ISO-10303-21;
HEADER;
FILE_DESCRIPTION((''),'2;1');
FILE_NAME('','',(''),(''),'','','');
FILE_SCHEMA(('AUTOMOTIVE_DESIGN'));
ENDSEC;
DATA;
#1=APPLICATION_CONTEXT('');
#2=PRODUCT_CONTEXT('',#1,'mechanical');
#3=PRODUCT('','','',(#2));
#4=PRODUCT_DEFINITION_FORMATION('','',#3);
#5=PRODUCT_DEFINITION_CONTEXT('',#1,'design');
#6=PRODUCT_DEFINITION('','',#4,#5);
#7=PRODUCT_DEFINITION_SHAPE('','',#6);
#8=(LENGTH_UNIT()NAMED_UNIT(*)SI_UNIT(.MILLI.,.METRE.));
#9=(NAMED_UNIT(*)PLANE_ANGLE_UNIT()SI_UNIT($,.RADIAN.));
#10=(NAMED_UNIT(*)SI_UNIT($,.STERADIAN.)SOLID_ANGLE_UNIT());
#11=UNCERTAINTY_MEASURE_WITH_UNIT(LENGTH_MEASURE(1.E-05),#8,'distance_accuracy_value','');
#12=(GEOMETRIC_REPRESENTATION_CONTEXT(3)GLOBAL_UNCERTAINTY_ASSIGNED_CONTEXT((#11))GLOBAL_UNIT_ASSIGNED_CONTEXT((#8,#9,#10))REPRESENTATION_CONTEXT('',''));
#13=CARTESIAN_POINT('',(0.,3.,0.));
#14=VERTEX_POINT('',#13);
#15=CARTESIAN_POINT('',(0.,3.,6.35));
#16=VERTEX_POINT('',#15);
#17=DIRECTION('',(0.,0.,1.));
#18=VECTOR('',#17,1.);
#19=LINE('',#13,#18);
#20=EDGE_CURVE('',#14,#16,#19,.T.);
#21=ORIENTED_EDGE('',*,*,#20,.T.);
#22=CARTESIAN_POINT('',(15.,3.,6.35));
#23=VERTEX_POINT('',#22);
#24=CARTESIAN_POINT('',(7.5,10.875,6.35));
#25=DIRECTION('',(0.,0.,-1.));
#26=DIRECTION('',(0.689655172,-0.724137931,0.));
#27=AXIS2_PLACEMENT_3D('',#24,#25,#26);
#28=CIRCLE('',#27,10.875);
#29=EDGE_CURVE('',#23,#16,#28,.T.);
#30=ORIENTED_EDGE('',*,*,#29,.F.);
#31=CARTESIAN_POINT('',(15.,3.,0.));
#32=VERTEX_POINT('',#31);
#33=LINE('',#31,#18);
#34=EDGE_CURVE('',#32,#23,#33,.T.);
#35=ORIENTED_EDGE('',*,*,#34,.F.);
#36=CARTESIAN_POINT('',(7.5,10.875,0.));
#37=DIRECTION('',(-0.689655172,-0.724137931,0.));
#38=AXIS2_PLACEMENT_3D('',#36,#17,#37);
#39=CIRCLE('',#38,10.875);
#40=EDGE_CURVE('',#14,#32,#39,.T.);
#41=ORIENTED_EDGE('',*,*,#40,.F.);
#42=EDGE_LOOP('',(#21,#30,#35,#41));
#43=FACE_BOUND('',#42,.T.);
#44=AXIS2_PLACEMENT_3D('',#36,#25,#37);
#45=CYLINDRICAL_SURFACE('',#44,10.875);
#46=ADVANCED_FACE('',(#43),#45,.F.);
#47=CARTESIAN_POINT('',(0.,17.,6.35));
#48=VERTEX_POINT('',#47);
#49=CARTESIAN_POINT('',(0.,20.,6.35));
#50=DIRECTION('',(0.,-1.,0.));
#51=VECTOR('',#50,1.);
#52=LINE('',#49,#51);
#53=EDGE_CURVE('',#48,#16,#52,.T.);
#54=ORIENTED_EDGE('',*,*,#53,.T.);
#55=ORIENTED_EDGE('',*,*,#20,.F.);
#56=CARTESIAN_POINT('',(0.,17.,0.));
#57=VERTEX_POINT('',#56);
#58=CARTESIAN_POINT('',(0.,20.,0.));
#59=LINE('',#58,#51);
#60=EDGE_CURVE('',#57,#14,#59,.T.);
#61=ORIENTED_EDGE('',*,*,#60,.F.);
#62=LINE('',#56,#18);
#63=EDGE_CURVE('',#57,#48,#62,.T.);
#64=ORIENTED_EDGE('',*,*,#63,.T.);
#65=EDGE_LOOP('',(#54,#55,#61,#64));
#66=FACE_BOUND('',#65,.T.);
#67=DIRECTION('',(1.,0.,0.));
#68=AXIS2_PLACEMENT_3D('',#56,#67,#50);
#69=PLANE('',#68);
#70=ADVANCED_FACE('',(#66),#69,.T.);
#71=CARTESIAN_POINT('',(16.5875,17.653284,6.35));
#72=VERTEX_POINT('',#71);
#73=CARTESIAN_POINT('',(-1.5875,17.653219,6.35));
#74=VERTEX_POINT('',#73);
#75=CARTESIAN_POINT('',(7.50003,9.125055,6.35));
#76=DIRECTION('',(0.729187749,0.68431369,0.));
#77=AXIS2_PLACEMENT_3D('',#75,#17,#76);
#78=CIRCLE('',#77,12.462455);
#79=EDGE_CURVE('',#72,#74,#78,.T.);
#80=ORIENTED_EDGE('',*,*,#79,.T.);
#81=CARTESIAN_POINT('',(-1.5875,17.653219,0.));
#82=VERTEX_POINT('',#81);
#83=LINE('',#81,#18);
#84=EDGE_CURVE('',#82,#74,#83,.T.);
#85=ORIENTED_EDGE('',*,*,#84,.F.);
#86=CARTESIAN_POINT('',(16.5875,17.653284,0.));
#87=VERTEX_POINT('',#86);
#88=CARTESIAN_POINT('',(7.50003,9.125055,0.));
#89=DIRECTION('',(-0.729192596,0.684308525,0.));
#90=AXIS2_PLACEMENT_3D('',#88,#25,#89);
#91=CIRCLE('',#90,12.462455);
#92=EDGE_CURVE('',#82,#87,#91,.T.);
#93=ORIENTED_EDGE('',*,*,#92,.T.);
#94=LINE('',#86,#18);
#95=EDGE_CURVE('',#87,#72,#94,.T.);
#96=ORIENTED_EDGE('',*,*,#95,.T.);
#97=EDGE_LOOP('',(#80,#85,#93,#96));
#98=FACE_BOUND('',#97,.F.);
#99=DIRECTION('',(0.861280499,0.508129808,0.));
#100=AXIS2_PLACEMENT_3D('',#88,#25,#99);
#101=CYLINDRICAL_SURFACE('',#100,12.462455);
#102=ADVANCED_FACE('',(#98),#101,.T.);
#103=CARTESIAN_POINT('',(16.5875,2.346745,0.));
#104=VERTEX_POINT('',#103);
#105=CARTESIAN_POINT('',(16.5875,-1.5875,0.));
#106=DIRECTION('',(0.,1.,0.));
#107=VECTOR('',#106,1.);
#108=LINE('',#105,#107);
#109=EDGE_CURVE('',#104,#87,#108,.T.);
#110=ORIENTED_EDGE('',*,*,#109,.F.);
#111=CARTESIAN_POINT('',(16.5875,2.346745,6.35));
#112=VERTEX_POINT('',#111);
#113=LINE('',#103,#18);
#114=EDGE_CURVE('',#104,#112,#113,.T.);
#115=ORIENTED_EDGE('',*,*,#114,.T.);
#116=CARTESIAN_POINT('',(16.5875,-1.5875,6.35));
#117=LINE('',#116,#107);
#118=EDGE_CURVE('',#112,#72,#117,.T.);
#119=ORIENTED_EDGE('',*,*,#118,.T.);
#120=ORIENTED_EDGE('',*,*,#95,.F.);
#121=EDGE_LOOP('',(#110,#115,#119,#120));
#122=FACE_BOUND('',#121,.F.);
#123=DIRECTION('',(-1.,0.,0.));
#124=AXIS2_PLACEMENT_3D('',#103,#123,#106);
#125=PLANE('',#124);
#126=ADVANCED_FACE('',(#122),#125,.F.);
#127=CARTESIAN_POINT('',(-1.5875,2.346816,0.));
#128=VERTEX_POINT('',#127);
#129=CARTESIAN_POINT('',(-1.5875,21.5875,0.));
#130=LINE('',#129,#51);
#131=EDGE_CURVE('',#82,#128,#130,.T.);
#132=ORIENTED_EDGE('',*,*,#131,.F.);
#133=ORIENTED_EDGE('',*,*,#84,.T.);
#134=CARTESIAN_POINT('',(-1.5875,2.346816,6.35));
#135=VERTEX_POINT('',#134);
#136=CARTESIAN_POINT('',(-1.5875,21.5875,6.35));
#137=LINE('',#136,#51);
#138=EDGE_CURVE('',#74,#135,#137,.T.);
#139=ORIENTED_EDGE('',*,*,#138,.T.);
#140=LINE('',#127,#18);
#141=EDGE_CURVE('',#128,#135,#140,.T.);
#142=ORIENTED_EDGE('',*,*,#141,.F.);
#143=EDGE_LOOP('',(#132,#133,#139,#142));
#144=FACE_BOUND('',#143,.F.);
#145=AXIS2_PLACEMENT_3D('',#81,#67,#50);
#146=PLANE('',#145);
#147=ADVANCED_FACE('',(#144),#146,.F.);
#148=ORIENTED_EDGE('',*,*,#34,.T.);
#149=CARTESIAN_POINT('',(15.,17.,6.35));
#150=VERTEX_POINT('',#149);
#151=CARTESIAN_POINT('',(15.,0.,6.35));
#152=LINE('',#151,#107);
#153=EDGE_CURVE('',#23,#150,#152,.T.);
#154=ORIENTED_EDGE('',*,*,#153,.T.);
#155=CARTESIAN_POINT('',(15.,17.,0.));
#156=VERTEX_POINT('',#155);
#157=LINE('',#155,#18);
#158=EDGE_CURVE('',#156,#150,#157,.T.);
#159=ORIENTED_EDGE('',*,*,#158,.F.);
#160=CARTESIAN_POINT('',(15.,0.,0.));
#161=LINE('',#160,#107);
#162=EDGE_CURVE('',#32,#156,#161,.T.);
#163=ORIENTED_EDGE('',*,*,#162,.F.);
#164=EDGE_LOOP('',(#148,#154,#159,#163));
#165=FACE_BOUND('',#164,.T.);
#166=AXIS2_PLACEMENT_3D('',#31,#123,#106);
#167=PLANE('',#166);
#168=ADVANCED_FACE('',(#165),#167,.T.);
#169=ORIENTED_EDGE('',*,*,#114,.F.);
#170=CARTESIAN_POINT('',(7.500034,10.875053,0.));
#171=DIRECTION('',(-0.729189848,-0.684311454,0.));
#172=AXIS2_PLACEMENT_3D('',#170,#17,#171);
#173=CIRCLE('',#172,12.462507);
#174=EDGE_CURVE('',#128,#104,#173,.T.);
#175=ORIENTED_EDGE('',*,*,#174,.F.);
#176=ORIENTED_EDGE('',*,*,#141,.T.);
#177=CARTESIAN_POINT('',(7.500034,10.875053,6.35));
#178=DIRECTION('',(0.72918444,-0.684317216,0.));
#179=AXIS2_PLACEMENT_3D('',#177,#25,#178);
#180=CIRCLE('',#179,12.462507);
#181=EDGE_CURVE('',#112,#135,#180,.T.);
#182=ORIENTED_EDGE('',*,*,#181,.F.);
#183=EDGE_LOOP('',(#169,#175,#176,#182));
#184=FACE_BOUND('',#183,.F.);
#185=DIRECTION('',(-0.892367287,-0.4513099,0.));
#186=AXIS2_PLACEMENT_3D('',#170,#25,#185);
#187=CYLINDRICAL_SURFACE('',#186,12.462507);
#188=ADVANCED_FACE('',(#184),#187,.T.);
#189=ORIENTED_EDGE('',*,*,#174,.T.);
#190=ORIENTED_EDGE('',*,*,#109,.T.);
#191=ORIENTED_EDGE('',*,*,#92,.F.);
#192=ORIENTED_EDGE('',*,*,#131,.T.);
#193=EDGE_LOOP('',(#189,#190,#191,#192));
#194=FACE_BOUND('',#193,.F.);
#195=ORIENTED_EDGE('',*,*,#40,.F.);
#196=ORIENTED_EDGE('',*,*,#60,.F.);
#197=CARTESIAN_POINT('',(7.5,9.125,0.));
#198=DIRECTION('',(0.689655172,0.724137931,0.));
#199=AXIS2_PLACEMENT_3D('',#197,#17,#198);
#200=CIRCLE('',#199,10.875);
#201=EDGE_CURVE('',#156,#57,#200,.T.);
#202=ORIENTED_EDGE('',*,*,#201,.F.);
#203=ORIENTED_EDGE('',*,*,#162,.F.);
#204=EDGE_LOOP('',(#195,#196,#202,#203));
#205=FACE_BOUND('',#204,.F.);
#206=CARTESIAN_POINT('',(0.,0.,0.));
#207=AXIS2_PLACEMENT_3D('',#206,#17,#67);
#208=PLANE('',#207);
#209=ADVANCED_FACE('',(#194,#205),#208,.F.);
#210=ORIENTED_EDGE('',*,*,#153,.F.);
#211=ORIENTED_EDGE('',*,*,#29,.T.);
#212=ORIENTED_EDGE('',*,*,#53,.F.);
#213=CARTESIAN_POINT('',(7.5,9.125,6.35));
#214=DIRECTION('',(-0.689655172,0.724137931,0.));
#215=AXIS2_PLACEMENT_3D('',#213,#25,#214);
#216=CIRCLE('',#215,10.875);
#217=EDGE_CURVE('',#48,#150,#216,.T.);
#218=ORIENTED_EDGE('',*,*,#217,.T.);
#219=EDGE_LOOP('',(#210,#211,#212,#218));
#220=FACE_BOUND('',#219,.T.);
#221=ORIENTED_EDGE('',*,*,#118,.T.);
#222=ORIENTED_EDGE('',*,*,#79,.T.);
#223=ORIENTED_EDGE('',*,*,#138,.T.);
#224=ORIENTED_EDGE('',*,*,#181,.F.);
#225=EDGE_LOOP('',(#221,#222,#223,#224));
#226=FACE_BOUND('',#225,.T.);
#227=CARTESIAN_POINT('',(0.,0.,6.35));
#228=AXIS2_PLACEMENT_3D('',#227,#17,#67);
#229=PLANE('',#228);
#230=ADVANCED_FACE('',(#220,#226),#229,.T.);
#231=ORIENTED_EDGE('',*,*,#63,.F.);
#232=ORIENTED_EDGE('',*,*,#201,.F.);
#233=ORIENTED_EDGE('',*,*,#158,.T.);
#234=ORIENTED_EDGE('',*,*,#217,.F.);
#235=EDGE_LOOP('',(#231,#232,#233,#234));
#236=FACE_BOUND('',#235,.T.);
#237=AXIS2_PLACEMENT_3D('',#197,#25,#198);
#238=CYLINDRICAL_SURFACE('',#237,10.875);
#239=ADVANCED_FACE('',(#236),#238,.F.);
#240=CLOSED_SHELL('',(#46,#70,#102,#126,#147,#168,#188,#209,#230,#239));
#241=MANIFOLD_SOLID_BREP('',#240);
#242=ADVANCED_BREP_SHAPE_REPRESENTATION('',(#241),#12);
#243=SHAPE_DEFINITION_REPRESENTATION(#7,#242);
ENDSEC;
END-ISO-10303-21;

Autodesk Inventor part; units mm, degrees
ref_plane "YZ Plane" through (0, 0, 0) normal (1, 0, 0) x (0, 1, 0)
ref_plane "XZ Plane" through (0, 0, 0) normal (0, 1, 0) x (-1, 0, 0)
ref_plane "XY Plane" through (0, 0, 0) normal (0, 0, 1) x (1, 0, 0)
sketch "Sketch1" plane through (0, 0, 0) normal (0, 0, 1) x (1, 0, 0)
  line L0 (0, 0) -> (15, 0)
  line L1 (15, 0) -> (15, 20)
  line L2 (15, 20) -> (0, 20)
  line L3 (0, 20) -> (0, 0)
  line L4 (0, 3) -> (15, 3)
  line L5 (15, 3) -> (15, 17)
  line L6 (15, 17) -> (0, 17)
  line L7 (0, 17) -> (0, 3)
  line L8 (0, 3) -> (15, 17) construction
  line L9 (15, 3) -> (0, 17) construction
  arc A0 (15, 17) -> (0, 17) centre (7.5, 9.125) ccw
  arc A1 (0, 3) -> (15, 3) centre (7.5, 10.875) ccw
  line L10 (-1.5875, -1.5875) -> (16.5875, -1.5875)
  line L11 (16.5875, -1.5875) -> (16.5875, 21.5875)
  line L12 (16.5875, 21.5875) -> (-1.5875, 21.5875)
  line L13 (-1.5875, 21.5875) -> (-1.5875, -1.5875)
  arc A2 (18.2337, 15.4576) -> (-3.6211, 14.7494) centre (7.5, 9.125) ccw
  line L14 (7.5, 10) -> (5.1883, 10)
  arc A3 (-3.6211, 5.2506) -> (18.2337, 4.5424) centre (7.5, 10.875) ccw
  point P0 (16.5875, 2.3467)
  point P1 (16.5875, 17.6533)
  point P2 (-1.5875, 17.6533)
  point P3 (-1.5875, 2.3467)
  dimension "d2" = 15
  dimension "d3" = 20
  dimension "d4" = 14
  dimension "d5" = 7.5
  dimension "d6" = 10
  dimension "d7" = 1.5875
  dimension "d8" = 1.5875
extrude "Extrusion1" add sketch "Sketch1" along normal blind 6.35 contours A3 L3 A1 L0 | L0 A3 | A3 L13 A2 L3 | A1 L1 A3 L0 | L1 A2 L11 A3 | L3 A2 L2 A0 | A0 L2 A2 L1 | L2 A2
properties part number "motor_holder_test_fit"
